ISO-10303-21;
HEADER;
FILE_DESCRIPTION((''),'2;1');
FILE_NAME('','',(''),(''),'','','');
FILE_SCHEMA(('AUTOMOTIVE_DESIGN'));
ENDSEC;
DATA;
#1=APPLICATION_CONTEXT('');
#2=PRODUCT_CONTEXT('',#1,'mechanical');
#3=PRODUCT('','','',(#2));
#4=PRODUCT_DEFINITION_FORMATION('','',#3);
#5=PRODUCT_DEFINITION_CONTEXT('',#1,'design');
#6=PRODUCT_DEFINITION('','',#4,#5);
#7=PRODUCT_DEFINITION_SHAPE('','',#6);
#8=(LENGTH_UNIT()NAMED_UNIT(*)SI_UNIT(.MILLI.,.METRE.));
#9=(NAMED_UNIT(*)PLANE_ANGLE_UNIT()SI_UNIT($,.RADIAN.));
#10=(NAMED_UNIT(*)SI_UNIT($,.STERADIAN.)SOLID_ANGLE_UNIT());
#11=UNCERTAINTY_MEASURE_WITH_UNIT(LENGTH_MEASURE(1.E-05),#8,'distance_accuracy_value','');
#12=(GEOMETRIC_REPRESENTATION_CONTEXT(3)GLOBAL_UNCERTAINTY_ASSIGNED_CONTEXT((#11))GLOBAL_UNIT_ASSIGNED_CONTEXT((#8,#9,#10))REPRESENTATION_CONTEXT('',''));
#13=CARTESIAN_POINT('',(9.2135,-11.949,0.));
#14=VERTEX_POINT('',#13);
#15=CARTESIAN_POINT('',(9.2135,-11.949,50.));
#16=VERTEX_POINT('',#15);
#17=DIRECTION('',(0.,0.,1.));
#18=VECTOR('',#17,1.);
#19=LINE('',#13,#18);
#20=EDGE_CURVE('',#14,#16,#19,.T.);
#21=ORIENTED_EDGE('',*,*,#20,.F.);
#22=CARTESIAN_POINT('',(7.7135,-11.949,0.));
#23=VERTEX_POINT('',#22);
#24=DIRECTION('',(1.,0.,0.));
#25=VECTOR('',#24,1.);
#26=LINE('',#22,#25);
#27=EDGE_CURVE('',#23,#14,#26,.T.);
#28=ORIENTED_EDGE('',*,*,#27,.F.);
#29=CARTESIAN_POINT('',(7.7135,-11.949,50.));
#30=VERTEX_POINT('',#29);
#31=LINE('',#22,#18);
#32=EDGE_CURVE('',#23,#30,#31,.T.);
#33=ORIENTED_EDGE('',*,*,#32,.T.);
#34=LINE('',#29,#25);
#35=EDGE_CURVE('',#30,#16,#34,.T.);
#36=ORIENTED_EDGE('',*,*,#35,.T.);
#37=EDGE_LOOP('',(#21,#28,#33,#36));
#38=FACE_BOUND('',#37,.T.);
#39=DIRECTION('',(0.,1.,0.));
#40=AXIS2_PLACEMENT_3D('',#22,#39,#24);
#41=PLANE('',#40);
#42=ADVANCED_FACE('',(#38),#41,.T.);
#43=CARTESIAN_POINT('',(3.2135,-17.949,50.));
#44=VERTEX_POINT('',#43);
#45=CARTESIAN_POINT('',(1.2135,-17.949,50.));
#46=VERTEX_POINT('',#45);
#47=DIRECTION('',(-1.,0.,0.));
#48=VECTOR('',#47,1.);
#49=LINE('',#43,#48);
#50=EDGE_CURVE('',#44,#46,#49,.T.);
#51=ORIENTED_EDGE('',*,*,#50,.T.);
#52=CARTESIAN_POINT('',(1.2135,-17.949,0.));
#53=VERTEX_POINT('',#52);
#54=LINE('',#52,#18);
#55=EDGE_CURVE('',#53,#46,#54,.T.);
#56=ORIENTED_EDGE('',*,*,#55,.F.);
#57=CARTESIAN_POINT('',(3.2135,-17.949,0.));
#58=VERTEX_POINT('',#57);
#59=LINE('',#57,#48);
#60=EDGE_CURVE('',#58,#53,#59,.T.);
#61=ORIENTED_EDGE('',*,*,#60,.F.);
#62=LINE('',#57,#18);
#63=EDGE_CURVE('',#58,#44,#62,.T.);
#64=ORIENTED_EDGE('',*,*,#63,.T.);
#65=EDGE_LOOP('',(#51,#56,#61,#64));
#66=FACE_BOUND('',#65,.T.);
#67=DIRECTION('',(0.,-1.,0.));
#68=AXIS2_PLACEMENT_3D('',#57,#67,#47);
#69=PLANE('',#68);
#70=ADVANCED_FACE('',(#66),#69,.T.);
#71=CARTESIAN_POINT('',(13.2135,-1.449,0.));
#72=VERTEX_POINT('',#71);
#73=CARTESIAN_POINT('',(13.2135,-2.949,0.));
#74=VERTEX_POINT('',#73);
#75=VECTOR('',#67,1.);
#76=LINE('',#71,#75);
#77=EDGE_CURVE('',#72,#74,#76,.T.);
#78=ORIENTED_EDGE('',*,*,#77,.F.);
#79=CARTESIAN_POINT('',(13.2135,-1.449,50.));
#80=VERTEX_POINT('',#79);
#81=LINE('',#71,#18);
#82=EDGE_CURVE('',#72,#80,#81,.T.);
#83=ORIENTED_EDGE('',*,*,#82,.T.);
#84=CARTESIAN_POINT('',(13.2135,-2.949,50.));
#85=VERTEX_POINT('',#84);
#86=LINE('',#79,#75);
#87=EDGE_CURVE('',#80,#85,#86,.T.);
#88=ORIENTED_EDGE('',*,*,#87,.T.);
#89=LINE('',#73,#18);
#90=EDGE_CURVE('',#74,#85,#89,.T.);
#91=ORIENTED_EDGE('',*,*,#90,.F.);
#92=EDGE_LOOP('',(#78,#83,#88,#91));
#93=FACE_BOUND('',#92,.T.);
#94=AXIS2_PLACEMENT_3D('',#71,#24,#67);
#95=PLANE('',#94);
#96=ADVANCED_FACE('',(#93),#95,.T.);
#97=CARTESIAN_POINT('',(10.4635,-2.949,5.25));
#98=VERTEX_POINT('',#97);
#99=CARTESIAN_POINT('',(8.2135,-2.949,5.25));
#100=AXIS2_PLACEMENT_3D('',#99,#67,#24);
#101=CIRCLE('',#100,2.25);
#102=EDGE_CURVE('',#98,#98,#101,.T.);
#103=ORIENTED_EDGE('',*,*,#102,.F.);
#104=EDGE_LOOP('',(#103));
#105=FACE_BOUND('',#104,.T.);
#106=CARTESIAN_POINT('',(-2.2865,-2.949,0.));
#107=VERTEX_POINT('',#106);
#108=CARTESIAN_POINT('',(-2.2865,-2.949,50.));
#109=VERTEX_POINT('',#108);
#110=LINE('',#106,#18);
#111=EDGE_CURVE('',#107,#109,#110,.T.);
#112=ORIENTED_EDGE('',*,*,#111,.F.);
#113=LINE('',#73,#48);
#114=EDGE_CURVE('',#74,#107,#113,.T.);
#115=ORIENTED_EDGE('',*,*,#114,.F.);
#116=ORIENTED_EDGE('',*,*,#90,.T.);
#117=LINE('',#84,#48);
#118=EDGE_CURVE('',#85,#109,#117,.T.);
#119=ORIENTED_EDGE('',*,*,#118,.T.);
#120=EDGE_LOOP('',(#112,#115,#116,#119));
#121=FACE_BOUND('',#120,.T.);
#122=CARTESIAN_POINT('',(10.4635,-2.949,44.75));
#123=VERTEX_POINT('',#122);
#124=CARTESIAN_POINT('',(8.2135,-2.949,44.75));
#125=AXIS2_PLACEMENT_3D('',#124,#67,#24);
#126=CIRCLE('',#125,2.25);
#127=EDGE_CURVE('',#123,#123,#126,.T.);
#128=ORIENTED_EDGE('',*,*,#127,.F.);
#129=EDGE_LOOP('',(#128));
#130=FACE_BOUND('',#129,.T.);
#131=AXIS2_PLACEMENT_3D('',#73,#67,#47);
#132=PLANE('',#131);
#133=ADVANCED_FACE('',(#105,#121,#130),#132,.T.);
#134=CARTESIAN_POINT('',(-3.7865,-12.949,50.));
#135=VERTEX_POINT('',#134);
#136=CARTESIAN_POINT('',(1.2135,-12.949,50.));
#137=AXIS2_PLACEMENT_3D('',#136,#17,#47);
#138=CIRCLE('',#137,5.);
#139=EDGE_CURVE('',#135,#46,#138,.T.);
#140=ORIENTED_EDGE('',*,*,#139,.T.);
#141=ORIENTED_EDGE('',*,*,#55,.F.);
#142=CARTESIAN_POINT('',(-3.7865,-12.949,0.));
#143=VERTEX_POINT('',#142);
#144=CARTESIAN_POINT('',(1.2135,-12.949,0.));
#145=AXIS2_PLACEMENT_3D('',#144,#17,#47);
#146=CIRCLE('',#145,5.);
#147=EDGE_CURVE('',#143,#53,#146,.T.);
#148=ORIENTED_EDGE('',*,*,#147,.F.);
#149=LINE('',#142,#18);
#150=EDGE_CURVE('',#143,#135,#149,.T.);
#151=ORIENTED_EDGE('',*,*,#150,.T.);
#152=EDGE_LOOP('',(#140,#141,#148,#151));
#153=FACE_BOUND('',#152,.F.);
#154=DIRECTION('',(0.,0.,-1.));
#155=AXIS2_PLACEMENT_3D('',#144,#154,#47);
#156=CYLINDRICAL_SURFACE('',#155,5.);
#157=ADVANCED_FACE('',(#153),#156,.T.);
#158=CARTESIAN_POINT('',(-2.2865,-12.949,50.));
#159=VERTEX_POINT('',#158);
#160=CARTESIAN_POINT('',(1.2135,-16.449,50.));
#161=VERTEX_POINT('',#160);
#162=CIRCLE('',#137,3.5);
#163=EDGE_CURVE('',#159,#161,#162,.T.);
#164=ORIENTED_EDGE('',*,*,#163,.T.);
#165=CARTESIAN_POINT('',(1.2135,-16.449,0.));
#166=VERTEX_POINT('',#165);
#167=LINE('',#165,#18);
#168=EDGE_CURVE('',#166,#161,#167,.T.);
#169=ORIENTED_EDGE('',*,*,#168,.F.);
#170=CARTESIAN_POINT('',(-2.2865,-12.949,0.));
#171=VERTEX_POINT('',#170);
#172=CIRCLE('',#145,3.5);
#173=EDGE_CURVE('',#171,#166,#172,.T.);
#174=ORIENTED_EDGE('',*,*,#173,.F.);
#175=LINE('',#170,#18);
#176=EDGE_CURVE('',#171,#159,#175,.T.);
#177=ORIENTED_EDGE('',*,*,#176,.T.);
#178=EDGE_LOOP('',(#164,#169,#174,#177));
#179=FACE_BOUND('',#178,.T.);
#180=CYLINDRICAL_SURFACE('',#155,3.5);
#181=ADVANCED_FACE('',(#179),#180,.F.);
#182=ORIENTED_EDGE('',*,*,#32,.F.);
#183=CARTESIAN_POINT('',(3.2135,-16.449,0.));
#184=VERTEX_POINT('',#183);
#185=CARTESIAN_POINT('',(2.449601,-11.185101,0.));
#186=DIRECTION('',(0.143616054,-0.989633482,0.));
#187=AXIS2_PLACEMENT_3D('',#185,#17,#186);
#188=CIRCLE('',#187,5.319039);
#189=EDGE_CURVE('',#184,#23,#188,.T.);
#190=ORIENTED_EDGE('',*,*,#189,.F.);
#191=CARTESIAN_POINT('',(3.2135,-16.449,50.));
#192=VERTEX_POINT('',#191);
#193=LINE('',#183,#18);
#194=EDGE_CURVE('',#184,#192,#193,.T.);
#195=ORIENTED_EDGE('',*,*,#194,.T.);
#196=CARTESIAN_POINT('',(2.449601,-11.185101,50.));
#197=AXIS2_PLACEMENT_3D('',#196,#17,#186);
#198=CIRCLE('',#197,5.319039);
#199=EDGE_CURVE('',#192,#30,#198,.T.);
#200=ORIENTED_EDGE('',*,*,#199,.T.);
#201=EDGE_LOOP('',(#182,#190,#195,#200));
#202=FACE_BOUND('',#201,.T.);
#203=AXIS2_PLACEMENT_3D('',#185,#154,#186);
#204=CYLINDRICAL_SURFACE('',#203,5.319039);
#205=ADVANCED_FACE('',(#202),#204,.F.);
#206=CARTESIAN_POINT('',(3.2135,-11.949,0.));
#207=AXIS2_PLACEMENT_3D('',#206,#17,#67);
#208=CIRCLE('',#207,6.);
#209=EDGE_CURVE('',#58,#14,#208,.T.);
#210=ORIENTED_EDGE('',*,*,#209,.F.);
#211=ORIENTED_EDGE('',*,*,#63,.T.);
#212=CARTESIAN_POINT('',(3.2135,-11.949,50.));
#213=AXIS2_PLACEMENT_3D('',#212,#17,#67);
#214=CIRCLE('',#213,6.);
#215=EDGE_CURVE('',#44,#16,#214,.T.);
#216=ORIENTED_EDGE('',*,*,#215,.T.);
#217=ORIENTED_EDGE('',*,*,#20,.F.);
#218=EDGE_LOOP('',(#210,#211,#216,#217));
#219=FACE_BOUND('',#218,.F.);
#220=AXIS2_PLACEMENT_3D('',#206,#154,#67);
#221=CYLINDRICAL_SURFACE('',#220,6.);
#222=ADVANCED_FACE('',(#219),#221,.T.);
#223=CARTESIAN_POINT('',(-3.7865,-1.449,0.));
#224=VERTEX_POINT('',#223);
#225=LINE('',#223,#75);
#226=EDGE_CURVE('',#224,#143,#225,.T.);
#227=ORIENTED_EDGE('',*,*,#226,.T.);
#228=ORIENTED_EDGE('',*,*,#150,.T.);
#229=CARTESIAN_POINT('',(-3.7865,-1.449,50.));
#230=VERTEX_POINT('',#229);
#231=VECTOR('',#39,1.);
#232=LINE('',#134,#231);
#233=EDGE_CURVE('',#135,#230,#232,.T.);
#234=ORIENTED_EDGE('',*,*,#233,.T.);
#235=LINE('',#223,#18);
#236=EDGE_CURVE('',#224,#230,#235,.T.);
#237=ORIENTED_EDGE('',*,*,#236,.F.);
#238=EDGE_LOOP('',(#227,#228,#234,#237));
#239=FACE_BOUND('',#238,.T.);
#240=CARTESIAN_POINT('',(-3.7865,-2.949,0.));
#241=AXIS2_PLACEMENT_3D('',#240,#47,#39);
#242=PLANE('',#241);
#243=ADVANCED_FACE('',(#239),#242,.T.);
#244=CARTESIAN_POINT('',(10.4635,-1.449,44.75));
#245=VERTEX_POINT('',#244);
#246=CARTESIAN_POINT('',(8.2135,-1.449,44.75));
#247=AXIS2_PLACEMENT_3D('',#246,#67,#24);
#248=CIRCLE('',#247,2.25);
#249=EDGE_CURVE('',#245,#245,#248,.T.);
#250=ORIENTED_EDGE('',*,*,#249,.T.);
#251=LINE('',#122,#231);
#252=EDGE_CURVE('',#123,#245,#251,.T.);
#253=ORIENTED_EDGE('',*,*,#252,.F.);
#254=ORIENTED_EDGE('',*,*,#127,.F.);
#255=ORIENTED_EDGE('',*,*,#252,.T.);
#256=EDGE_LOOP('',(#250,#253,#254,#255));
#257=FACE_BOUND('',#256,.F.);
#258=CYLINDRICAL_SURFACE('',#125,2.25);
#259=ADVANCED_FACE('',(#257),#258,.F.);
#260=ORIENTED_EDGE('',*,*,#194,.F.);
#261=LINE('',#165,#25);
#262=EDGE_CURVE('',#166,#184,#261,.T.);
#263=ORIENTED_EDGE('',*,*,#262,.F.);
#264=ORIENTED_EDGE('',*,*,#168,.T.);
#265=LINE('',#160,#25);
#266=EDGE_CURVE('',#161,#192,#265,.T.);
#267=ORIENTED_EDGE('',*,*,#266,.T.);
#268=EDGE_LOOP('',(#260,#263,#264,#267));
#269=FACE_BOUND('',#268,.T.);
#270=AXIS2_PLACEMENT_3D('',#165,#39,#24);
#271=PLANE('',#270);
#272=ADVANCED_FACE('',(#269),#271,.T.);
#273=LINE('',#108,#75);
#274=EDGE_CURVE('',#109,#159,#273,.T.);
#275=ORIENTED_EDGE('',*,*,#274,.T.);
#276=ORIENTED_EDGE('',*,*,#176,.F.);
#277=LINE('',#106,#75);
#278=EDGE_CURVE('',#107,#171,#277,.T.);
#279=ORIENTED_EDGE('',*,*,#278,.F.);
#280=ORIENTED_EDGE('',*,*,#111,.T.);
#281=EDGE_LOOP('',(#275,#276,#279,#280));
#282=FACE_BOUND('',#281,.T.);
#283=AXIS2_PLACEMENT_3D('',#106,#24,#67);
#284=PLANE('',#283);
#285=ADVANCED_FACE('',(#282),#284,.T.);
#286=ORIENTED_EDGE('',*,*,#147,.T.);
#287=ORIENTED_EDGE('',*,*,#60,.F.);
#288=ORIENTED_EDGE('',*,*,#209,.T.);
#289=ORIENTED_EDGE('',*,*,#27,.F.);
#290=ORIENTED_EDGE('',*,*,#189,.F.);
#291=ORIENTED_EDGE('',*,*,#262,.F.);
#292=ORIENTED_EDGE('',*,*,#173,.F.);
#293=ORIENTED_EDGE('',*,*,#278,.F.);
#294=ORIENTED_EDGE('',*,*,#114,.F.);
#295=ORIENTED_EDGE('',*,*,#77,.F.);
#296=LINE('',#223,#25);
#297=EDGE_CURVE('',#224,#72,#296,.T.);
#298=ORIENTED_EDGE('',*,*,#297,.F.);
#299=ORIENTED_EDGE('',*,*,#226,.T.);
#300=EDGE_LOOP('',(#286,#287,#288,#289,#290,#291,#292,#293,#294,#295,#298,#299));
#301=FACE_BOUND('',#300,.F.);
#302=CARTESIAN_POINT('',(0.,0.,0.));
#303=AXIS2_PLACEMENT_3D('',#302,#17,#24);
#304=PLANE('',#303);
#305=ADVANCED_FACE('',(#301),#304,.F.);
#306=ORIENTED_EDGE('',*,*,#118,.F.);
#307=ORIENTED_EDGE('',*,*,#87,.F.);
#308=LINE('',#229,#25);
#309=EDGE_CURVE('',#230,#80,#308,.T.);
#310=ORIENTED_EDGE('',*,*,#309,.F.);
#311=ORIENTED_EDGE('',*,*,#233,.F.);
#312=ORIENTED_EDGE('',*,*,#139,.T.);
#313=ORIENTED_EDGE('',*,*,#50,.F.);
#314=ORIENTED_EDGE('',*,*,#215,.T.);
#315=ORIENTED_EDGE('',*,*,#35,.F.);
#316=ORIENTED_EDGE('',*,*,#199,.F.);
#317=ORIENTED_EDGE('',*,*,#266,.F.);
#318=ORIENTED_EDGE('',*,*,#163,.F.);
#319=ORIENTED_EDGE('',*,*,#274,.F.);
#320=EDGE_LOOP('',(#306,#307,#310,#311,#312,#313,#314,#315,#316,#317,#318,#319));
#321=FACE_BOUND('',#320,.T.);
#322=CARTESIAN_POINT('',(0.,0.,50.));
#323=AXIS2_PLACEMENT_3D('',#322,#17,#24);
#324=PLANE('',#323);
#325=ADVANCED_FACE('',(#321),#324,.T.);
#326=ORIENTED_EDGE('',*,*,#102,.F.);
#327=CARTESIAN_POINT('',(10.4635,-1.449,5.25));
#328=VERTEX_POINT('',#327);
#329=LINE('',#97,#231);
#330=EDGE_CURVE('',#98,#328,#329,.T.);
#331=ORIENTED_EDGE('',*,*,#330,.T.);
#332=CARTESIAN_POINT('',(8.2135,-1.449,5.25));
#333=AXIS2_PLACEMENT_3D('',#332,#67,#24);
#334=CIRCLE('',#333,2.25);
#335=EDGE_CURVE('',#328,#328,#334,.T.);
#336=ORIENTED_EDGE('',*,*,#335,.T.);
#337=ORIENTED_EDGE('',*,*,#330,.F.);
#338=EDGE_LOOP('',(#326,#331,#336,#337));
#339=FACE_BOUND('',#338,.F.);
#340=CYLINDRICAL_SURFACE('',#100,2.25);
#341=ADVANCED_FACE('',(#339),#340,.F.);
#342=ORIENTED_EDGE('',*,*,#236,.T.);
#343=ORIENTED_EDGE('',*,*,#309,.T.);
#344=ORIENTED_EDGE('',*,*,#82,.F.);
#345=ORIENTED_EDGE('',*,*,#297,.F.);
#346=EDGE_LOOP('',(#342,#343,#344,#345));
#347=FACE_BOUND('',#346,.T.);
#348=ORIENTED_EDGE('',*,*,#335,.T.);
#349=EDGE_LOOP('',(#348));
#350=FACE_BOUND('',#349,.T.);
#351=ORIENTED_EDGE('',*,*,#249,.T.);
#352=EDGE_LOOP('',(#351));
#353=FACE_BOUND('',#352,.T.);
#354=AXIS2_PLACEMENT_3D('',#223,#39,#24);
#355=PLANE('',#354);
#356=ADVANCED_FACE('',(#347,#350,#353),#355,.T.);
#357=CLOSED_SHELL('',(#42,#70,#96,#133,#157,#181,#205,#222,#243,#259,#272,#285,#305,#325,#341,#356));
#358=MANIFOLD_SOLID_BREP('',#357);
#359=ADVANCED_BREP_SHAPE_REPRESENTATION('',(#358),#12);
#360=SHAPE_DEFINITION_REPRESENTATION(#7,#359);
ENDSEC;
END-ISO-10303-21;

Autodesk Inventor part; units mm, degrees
ref_plane "YZ Plane" through (0, 0, 0) normal (1, 0, 0) x (0, 1, 0)
ref_plane "XZ Plane" through (0, 0, 0) normal (0, 1, 0) x (-1, 0, 0)
ref_plane "XY Plane" through (0, 0, 0) normal (0, 0, 1) x (1, 0, 0)
sketch "Sketch1" plane through (0, 0, 0) normal (0, 0, 1) x (1, 0, 0)
  line L0 (-3.7865, -1.449) -> (13.2135, -1.449)
  line L1 (13.2135, -1.449) -> (13.2135, -2.949)
  line L2 (13.2135, -2.949) -> (-3.7865, -2.949)
  line L3 (-3.7865, -2.949) -> (-3.7865, -1.449)
  line L4 (-3.7865, -2.949) -> (-2.2865, -2.949)
  line L5 (-3.7865, -12.949) -> (-3.7865, -2.949)
  line L6 (3.2135, -16.449) -> (3.2135, -17.949)
  line L7 (3.2135, -17.949) -> (1.2135, -17.949)
  arc A0 (3.2135, -16.449) -> (7.7135, -11.949) centre (2.4495, -11.1849) ccw
  line L8 (7.7135, -11.949) -> (9.2135, -11.949)
  arc A1 (3.2135, -17.949) -> (9.2135, -11.949) centre (3.2135, -11.949) ccw
  arc A2 (-3.7865, -12.949) -> (1.2135, -17.949) centre (1.2135, -12.949) ccw
  arc A3 (-2.2865, -12.949) -> (1.2135, -16.449) centre (1.2135, -12.949) ccw
  line L9 (-3.7865, -12.949) -> (-2.2865, -12.949)
  line L10 (1.2135, -17.949) -> (1.2135, -16.449)
  line L11 (1.2135, -16.449) -> (3.2135, -16.449)
  line L12 (-2.2865, -2.949) -> (-2.2865, -12.949)
  point P0 (0, 0)
  dimension "d0" = 1.5
  dimension "d2" = 1.5
  dimension "d3" = 6
  dimension "d4" = 5
  dimension "d5" = 5
  dimension "d7" = 6
  dimension "d8" = 2
  dimension "d12" = 15.5
  dimension "d13" = 10
  dimension "d23" = 1.5
extrude "Extrusion1" add sketch "Sketch1" along normal blind 50
sketch "Sketch2" plane through (-2.2865, -2.949, 0) normal (0, -1, 0) x (1, 0, 0)
  line L0 (15.5, 50) -> (-1.5, 50) projected
  line L1 (10.5, 50) -> (10.5, 0) construction
  line L2 (15.5, 0) -> (-1.5, 0) projected
  line L3 (15.5, 0) -> (-1.5, 0) projected
  line L4 (-1.5, 0) -> (-1.5, 50) projected
  line L5 (15.5, 50) -> (-1.5, 50) projected
  line L6 (15.5, 0) -> (15.5, 50) projected
  circle A0 centre (10.5, 44.75) radius 2.25
  circle A1 centre (10.5, 5.25) radius 2.25
  point P0 (2.2865, 0)
  dimension "d14" = 5
  dimension "d15" = 4.5
  dimension "d16" = 4.5
  dimension "d18" = 3
  dimension "d19" = 3
extrude "Extrusion2" cut sketch "Sketch2" against normal blind 3 contours A0 | A1
properties part number "TopHook"
